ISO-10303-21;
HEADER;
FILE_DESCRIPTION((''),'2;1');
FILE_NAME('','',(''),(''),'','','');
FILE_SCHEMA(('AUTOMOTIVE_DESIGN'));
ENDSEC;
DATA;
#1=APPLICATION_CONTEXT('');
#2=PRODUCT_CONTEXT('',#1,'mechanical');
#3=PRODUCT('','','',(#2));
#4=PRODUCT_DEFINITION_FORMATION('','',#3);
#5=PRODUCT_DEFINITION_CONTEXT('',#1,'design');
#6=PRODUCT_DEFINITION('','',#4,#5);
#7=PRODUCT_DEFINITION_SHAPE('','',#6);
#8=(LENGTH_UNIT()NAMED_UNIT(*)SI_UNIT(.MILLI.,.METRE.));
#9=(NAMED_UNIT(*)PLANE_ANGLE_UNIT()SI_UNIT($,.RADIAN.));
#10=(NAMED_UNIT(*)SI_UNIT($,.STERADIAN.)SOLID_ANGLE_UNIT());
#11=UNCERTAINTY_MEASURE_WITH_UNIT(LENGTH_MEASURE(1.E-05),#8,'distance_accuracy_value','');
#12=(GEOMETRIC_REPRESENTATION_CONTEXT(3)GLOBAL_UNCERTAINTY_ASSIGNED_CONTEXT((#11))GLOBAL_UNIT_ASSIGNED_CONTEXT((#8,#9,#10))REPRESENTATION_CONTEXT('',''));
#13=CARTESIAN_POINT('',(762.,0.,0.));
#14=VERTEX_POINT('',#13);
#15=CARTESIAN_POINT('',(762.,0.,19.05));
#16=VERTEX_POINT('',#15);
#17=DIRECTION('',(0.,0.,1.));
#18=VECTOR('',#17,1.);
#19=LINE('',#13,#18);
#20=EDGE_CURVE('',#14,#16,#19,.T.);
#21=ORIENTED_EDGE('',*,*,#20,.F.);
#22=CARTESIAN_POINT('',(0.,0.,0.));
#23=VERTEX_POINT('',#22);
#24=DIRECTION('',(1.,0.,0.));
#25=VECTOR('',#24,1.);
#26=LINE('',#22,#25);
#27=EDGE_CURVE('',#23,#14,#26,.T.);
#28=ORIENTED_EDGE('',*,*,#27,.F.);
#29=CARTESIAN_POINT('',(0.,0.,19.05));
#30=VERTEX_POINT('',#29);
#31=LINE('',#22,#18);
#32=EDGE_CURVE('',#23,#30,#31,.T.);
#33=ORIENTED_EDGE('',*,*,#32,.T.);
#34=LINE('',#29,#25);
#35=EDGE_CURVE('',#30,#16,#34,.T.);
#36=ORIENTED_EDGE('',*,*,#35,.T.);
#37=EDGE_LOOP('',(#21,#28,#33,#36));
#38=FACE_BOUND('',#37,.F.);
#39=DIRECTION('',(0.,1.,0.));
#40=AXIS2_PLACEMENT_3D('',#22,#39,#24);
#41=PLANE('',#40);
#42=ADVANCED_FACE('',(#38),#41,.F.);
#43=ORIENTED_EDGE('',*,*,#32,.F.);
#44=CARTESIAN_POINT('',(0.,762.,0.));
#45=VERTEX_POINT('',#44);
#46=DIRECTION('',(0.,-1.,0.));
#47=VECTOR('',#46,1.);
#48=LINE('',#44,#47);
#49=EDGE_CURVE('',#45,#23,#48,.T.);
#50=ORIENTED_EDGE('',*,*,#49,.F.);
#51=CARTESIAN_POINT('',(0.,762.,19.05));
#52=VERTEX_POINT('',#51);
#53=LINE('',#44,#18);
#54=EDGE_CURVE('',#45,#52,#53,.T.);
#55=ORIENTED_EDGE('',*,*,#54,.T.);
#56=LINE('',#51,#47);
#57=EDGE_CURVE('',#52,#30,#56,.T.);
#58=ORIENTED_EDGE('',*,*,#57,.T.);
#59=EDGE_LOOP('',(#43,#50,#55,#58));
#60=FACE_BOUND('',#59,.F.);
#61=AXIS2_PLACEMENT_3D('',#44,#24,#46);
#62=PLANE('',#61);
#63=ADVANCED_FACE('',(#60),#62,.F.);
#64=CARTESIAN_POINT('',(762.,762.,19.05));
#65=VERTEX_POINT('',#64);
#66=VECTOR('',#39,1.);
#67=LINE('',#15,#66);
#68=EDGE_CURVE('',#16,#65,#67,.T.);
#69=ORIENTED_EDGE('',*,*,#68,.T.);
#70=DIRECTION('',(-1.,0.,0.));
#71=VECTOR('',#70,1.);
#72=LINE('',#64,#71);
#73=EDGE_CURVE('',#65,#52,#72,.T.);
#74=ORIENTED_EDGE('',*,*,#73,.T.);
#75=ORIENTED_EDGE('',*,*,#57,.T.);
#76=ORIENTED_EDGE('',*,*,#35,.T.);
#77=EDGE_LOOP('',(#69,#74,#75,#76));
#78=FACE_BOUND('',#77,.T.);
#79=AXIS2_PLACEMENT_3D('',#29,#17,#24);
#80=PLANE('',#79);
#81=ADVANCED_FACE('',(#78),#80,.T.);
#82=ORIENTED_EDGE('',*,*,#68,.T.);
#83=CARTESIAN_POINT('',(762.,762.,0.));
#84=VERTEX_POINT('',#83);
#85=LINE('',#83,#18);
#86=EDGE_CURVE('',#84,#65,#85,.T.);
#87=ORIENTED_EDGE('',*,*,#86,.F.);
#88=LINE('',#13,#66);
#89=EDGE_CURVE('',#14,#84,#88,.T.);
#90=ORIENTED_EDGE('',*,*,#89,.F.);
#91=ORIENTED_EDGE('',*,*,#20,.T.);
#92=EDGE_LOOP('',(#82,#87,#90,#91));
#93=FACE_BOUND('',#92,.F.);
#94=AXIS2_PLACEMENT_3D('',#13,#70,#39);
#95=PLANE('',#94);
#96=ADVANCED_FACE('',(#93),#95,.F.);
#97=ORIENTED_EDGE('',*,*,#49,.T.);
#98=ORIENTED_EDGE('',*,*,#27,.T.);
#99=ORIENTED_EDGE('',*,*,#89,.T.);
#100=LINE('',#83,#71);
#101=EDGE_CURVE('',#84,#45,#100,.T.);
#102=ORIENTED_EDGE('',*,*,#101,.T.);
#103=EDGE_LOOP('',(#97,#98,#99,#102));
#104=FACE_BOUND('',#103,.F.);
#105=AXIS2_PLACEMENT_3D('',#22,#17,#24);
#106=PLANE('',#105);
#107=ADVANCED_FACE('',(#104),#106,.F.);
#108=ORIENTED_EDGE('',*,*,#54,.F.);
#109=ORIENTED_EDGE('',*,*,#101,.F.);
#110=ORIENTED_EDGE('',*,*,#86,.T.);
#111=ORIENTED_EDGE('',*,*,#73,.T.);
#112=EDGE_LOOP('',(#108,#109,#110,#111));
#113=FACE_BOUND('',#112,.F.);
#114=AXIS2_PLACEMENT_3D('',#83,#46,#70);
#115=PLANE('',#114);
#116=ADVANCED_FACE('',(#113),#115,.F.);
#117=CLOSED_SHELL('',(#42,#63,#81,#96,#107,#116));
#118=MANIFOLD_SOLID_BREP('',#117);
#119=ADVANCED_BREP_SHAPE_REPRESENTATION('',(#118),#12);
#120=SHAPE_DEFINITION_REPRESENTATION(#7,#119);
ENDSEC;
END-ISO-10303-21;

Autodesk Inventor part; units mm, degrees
ref_plane "YZ Plane" through (0, 0, 0) normal (1, 0, 0) x (0, 1, 0)
ref_plane "XZ Plane" through (0, 0, 0) normal (0, 1, 0) x (-1, 0, 0)
ref_plane "XY Plane" through (0, 0, 0) normal (0, 0, 1) x (1, 0, 0)
sketch "Sketch1" plane through (0, 0, 0) normal (0, 0, 1) x (1, 0, 0)
  line L0 (0, 0) -> (762, 0)
  line L1 (762, 0) -> (762, 762)
  line L2 (762, 762) -> (0, 762)
  line L3 (0, 762) -> (0, 0)
  dimension "d0" = 762
  dimension "d1" = 762
extrude "Extrusion1" add sketch "Sketch1" along normal blind 19.05
properties part number "Platform Bottom"
